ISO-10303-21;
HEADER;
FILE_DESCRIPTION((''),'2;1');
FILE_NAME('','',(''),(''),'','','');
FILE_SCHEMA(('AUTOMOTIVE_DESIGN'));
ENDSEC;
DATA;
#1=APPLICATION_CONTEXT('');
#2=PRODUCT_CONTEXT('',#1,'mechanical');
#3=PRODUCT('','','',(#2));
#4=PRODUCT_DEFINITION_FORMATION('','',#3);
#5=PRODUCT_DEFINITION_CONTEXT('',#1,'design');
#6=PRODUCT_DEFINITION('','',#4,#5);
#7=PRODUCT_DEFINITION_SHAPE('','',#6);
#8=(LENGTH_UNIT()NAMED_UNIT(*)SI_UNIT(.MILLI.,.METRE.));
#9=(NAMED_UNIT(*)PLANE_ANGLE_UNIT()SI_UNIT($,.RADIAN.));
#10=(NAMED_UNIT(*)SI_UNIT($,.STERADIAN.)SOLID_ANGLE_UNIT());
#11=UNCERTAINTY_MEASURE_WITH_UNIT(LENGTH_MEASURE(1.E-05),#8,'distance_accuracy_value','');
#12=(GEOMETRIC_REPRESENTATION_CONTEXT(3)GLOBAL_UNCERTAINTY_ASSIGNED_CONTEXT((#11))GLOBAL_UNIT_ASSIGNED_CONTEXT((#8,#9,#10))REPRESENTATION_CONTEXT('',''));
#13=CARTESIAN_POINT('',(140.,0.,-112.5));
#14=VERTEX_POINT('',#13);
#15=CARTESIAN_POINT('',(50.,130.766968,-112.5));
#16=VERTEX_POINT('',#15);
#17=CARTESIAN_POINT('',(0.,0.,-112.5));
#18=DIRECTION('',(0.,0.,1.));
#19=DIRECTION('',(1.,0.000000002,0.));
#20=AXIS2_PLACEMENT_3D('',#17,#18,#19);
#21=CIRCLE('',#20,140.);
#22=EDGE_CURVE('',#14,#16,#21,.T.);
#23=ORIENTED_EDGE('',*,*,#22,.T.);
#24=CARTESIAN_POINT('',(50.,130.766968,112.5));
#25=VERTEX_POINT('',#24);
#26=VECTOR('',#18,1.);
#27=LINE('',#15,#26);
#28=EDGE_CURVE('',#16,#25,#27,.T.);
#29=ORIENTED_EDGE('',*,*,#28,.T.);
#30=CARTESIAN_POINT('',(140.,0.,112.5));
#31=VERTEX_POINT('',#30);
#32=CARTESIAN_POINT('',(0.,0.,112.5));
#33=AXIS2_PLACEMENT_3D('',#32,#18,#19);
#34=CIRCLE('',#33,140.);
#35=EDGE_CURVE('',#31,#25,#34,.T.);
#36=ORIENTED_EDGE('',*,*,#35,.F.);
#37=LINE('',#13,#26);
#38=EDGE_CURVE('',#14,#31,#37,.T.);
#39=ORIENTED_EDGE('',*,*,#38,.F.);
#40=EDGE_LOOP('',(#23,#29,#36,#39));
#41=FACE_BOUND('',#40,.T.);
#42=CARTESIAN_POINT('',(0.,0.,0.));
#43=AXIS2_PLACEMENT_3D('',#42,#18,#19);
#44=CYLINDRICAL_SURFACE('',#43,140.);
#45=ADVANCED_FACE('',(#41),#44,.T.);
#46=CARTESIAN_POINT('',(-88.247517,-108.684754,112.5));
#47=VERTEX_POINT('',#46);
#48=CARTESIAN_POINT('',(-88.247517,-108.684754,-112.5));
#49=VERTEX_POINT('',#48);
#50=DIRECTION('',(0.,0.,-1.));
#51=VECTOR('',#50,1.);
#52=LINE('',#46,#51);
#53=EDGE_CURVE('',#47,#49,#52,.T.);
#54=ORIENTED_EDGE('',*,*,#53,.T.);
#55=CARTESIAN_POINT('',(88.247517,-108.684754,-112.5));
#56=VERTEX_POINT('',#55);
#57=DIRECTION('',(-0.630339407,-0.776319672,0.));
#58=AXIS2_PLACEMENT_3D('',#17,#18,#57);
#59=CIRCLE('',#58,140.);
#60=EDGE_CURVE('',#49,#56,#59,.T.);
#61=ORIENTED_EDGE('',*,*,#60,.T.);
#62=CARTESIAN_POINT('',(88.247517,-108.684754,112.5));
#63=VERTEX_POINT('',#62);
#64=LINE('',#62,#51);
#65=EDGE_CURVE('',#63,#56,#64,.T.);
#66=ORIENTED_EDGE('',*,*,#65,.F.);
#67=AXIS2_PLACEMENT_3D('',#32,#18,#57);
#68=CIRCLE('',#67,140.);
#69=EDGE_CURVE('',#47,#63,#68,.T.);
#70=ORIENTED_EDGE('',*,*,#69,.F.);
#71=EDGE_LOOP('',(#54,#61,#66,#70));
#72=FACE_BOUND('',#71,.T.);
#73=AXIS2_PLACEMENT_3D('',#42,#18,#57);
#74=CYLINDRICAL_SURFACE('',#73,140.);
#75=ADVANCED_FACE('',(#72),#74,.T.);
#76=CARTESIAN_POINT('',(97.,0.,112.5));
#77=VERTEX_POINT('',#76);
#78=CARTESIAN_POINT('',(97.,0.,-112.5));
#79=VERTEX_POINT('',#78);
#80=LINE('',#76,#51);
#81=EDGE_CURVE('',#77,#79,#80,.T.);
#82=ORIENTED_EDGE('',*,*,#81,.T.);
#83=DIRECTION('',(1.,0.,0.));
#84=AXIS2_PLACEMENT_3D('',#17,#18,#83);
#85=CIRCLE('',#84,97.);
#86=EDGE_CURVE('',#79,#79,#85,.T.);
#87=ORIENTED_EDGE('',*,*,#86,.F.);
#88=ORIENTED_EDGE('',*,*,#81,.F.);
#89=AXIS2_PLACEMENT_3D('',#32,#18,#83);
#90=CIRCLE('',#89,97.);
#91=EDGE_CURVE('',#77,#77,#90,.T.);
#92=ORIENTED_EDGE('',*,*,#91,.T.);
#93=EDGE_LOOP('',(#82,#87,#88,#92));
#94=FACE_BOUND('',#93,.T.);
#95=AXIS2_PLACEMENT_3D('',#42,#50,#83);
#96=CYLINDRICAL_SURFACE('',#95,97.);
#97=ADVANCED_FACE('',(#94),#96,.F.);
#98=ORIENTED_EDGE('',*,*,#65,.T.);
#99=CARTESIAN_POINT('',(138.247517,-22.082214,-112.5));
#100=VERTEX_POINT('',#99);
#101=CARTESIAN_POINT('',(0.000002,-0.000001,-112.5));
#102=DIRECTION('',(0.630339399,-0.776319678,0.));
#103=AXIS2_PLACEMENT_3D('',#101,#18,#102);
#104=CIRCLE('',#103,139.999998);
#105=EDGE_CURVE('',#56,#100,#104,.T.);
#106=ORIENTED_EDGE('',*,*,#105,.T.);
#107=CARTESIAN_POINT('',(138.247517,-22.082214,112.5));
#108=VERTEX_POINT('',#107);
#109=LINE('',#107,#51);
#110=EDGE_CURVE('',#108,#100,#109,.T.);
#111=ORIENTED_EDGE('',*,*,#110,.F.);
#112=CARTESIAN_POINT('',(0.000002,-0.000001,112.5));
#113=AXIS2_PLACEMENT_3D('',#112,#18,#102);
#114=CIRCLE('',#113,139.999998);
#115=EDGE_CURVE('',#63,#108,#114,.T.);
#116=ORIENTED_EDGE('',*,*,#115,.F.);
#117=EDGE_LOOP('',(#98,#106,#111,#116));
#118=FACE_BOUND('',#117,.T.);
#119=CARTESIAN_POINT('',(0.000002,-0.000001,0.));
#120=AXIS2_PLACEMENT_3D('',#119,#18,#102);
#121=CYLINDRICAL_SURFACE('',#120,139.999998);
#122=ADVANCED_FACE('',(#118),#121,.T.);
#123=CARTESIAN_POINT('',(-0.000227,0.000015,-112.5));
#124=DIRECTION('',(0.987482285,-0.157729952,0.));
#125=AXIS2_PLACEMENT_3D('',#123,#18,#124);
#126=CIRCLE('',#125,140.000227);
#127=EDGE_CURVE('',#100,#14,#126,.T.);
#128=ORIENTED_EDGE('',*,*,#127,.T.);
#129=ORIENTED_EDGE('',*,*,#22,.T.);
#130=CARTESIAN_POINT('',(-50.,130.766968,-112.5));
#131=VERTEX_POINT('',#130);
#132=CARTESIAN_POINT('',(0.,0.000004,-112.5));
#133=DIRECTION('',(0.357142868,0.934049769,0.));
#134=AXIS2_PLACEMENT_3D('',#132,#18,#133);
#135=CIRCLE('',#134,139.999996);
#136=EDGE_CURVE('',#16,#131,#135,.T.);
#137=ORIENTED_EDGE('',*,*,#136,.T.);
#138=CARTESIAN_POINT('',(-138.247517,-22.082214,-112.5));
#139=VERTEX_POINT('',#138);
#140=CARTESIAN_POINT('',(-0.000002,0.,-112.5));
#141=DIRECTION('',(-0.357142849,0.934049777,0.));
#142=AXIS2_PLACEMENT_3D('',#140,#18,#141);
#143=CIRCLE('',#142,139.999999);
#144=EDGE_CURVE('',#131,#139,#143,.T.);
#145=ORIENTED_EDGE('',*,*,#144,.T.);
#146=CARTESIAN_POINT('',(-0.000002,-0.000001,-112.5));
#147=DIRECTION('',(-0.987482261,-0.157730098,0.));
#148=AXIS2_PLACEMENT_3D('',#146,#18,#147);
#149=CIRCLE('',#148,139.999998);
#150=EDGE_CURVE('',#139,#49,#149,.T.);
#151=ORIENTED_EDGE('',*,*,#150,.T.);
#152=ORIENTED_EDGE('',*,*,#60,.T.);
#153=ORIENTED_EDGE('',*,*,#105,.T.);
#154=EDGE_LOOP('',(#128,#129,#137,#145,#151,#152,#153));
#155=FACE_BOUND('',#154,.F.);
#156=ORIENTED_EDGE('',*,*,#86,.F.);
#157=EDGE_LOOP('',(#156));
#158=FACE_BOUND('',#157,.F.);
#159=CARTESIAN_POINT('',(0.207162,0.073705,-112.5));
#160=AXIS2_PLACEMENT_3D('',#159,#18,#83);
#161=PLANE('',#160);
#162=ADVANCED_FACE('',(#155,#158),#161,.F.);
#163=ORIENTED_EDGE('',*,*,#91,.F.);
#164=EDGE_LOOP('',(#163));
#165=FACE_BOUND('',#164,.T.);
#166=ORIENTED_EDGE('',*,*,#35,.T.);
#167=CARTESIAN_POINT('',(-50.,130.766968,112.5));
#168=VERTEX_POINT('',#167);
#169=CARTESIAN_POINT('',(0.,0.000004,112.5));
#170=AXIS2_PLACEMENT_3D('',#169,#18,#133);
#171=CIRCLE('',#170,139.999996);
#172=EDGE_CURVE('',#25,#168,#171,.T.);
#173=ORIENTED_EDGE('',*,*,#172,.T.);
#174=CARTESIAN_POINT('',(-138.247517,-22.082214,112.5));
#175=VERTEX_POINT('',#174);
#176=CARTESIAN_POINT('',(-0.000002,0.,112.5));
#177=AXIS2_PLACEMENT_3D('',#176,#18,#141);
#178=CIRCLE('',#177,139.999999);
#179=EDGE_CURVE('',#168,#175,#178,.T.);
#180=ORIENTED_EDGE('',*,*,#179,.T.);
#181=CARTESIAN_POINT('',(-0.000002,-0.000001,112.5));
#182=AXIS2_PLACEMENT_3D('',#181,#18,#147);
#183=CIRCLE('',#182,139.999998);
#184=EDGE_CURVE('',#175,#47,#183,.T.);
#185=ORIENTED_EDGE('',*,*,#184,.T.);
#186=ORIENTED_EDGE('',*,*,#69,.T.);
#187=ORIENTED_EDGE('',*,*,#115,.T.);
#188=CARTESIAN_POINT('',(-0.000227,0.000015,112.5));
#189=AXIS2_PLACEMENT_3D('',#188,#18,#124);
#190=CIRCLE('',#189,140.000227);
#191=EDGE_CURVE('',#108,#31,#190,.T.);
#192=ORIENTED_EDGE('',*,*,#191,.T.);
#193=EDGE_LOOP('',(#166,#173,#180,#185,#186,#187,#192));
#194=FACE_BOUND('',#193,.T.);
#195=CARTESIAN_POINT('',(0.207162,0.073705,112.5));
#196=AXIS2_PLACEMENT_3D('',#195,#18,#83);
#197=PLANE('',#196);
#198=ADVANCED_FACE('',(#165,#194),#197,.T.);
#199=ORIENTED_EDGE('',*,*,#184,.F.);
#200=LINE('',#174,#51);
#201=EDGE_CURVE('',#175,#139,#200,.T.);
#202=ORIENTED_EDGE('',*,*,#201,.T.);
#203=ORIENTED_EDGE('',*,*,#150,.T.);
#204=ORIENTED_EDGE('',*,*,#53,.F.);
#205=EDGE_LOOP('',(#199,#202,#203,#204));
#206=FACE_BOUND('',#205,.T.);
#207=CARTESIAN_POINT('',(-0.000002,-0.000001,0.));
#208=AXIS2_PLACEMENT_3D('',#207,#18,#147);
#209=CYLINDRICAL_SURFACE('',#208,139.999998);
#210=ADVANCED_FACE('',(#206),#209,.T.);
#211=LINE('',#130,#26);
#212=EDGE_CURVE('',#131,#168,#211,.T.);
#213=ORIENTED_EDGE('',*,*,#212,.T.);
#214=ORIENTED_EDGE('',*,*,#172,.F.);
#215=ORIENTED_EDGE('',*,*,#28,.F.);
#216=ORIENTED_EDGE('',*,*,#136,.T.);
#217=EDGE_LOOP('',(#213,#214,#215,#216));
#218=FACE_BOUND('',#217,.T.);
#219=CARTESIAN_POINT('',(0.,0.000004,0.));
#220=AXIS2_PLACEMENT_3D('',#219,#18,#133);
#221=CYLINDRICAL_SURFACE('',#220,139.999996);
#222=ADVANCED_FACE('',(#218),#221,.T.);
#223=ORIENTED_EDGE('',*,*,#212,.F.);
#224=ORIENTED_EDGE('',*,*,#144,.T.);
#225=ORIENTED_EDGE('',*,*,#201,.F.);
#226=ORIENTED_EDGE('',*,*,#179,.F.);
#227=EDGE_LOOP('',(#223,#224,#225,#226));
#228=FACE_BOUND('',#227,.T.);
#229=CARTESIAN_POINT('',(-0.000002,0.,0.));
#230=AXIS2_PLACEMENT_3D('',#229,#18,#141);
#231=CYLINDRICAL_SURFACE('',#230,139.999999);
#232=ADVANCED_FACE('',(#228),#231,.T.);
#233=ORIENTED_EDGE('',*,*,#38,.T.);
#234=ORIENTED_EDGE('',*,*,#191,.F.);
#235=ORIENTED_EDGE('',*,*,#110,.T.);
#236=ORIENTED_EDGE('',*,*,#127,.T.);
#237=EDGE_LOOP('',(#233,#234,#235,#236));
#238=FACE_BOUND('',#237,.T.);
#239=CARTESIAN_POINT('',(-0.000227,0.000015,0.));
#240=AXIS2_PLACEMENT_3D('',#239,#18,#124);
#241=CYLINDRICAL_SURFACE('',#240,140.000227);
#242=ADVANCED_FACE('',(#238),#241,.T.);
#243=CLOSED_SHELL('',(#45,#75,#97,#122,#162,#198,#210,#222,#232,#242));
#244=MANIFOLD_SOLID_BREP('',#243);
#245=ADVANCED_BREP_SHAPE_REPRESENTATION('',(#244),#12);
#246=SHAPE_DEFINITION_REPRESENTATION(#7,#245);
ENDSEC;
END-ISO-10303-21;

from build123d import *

# Parameters (mm, degrees)
F0_R     = 97
F1_DEPTH = 112.5


with BuildPart() as f1:
    # F0 (on Top) → F1 (new body, symmetric)
    with BuildSketch(Plane.XY):
        with BuildLine():
            ThreePointArc((138.247517, -22.082214), (139.561191, -11.075822), (140, 0))
            ThreePointArc((140, 0), (115.325626, 79.372539), (50, 130.766968))
            ThreePointArc((50, 130.766968), (0, 140), (-50, 130.766968))
            ThreePointArc((-50, 130.766968), (-121.243557, 70), (-138.247517, -22.082214))
            ThreePointArc((-138.247517, -22.082214), (-121.243557, -70), (-88.247517, -108.684754))
            ThreePointArc((-88.247517, -108.684754), (0, -140), (88.247517, -108.684754))
            ThreePointArc((88.247517, -108.684754), (121.243557, -70), (138.247517, -22.082214))
        make_face()
        Circle(F0_R, mode=Mode.SUBTRACT)
    extrude(amount=F1_DEPTH, both=True)


solid = f1.part
